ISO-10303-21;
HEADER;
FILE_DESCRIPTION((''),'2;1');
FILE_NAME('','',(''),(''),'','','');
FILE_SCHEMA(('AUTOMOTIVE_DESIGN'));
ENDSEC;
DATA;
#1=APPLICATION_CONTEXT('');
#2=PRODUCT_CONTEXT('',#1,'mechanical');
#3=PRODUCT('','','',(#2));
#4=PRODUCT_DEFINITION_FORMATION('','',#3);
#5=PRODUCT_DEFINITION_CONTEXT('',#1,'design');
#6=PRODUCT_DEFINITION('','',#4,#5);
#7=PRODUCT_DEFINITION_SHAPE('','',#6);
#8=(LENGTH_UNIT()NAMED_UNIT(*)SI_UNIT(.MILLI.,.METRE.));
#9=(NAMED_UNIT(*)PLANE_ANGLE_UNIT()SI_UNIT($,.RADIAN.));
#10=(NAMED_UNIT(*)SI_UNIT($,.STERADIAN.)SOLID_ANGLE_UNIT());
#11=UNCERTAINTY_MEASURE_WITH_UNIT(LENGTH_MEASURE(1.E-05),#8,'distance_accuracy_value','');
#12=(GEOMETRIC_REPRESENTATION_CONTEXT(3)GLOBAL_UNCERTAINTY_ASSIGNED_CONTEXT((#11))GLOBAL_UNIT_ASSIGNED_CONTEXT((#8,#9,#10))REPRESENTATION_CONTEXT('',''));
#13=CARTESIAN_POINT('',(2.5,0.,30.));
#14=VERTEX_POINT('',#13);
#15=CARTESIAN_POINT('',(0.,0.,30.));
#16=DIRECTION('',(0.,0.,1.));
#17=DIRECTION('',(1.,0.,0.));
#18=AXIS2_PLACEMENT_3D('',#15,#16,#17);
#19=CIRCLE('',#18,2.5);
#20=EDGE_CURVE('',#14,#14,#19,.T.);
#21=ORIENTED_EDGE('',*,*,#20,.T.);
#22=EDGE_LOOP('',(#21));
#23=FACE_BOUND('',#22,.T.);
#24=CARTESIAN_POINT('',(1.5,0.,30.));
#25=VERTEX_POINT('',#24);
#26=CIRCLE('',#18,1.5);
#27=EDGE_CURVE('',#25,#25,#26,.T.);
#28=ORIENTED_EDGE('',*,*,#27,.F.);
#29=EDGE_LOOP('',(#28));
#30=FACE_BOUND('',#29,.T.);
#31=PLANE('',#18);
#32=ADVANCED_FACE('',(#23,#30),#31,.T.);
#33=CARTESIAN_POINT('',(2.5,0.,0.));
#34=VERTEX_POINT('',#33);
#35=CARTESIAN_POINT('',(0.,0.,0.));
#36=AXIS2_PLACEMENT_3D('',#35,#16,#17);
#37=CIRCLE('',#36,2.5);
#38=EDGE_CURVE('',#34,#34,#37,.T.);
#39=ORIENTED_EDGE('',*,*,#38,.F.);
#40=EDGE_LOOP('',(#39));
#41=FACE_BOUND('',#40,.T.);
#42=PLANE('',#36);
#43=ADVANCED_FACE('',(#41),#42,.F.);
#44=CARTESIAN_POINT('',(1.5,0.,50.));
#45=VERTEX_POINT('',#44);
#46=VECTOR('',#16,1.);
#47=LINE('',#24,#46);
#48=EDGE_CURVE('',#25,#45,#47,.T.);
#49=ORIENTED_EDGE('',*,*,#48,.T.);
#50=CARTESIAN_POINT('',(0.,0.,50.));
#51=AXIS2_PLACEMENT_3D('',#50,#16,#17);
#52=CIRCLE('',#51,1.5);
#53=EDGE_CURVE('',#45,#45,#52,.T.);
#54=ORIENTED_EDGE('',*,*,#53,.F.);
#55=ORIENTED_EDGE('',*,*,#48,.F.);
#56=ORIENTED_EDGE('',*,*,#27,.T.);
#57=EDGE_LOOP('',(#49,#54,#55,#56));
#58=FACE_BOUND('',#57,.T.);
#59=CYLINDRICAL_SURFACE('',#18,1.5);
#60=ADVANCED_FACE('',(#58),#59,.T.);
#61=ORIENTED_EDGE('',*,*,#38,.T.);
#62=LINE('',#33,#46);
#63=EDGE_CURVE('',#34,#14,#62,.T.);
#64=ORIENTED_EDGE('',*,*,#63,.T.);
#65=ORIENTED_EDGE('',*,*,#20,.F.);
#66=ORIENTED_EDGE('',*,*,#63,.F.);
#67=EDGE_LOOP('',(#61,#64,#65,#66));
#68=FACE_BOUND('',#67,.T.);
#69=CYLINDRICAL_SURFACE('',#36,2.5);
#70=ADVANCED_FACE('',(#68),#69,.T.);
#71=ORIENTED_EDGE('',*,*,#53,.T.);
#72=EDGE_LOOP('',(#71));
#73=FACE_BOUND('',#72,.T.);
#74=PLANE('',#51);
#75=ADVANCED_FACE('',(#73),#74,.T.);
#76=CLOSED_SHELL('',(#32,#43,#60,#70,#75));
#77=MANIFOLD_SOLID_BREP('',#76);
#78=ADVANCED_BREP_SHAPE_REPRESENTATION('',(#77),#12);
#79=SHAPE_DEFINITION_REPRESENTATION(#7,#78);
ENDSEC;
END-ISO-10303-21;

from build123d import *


with BuildPart() as part:
    # Sketch → Revolution (revolve)
    with BuildSketch(Plane.XZ):
        Polygon((0, 50), (0, 0), (2.5, 0), (2.5, 30), (1.5, 30), (1.5, 50), align=None)
    revolve(axis=Axis((0, 0, 0), (0, 0, 1)))


solid = part.part
